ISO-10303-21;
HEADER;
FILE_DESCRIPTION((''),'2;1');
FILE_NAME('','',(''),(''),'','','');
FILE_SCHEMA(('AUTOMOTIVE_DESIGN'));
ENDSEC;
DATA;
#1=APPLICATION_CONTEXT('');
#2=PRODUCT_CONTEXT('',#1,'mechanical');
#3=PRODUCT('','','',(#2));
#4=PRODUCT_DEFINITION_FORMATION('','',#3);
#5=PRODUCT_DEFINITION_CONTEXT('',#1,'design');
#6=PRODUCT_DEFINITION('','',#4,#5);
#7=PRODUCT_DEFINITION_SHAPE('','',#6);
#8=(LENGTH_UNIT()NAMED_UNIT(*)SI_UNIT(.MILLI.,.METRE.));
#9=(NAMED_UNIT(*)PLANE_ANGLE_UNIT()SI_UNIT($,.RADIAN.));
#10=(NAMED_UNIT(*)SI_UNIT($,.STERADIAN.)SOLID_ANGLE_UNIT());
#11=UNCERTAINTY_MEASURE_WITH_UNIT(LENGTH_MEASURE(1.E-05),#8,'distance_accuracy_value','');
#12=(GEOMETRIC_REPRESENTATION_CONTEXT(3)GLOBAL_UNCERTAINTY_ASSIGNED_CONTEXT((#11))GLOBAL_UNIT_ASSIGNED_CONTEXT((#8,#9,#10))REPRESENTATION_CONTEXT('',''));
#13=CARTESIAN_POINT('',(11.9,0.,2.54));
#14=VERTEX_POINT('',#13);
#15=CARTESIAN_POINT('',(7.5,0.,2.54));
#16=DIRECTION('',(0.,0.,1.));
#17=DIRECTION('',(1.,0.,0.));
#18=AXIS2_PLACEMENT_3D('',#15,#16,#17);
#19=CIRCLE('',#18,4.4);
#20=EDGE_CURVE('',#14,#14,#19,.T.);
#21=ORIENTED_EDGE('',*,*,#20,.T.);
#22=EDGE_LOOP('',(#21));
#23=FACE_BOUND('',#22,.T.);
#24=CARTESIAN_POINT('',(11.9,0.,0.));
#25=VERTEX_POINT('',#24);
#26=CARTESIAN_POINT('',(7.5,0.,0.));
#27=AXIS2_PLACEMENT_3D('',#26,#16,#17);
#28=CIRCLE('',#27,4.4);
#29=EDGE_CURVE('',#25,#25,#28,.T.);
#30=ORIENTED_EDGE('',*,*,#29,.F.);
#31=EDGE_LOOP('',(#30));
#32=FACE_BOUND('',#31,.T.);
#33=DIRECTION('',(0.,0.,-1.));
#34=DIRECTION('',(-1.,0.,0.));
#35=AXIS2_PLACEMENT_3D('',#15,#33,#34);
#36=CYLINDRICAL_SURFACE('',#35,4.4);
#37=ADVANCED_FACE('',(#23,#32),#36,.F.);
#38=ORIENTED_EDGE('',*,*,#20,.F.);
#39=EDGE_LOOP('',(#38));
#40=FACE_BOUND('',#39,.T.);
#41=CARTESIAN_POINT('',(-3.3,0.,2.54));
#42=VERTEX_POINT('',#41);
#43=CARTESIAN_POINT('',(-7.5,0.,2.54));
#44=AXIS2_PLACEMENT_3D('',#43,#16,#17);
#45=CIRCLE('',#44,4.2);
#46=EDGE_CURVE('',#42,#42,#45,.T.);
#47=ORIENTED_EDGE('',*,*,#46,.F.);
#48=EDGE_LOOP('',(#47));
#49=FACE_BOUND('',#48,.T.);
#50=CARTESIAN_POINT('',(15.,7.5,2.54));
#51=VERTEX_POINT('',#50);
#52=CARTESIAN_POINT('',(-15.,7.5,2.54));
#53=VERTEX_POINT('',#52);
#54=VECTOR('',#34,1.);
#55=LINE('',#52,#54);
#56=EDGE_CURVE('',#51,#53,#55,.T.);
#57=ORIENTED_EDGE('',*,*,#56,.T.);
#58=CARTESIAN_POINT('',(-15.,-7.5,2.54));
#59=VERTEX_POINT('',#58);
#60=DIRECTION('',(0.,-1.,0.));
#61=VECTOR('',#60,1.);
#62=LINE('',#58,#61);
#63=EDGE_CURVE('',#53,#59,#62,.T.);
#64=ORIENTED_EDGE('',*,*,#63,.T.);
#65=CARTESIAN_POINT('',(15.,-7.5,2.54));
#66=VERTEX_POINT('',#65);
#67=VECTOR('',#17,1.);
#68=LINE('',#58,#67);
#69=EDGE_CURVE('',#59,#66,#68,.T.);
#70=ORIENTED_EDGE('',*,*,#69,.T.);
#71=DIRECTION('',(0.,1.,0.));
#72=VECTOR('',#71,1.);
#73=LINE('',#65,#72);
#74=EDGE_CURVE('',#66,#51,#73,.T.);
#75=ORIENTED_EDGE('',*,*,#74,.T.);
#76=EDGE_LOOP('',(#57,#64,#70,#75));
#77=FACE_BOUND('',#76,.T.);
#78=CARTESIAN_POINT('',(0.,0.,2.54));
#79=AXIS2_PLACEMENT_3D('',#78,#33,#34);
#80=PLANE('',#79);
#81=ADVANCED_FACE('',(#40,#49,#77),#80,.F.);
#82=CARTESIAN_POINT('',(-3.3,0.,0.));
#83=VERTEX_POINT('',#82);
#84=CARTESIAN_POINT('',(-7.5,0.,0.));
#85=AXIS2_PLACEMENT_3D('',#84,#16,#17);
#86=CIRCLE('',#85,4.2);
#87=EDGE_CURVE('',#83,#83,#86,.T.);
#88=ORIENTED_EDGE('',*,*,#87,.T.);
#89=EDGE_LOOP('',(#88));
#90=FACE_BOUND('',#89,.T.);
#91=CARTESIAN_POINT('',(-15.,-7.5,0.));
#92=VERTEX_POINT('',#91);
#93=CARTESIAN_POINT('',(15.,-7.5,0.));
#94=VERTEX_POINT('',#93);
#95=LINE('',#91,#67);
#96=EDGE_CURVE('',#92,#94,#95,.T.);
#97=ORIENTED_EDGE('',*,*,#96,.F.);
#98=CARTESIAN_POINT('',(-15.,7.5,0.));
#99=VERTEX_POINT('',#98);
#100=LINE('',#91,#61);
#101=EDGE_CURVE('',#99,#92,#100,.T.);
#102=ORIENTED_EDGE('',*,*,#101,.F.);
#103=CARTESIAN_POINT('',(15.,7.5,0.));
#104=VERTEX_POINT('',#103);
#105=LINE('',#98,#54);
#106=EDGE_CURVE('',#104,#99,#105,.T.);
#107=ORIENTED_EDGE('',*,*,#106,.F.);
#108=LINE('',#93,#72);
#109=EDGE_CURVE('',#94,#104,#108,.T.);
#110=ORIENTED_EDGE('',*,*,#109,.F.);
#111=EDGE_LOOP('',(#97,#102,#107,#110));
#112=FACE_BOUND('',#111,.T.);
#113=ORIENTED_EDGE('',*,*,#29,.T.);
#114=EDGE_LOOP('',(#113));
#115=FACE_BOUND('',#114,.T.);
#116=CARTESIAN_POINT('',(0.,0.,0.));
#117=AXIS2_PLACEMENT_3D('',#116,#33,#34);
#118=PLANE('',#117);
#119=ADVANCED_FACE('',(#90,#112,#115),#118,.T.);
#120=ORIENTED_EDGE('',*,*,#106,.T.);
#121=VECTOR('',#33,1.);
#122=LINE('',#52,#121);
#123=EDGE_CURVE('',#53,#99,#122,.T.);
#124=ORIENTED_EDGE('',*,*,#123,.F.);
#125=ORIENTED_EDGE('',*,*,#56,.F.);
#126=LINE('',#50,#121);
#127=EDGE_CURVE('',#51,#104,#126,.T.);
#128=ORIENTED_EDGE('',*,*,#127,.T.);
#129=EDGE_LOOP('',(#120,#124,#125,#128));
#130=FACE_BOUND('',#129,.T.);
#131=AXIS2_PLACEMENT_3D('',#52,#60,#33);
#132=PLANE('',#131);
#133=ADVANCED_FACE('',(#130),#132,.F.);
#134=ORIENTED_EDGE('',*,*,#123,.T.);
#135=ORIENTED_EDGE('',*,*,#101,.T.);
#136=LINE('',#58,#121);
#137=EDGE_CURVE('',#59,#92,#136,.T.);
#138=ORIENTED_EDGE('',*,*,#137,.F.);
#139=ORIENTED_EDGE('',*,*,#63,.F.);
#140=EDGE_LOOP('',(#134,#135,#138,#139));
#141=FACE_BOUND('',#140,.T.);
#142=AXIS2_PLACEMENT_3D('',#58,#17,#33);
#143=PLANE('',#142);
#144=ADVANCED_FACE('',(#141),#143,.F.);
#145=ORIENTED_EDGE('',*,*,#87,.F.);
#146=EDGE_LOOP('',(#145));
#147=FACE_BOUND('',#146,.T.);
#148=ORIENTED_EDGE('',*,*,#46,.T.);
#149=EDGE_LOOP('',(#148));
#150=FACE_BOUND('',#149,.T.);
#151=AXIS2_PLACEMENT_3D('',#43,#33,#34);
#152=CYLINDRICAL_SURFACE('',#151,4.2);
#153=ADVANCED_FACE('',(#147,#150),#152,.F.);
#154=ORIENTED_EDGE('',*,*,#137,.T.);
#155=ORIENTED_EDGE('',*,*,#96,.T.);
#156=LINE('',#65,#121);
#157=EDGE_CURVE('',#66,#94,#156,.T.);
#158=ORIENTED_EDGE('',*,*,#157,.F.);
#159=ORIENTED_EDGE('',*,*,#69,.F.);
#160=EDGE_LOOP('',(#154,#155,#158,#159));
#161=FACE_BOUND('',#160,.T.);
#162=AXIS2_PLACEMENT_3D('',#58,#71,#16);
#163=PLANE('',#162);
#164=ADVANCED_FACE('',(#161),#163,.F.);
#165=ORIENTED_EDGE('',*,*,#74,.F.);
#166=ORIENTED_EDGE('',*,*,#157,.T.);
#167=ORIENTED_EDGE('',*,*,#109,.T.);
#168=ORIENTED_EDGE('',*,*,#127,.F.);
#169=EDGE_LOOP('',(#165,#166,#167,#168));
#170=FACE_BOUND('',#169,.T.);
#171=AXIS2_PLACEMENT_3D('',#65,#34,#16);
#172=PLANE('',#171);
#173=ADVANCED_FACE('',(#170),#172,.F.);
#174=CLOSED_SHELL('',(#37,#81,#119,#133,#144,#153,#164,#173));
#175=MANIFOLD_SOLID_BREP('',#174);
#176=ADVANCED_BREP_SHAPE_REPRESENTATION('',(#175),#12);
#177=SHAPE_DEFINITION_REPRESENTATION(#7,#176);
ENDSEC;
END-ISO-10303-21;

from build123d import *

# Parameters (mm, degrees)
SKETCH1_W           = 30
SKETCH1_H           = 15
SKETCH1_R           = 4.2
SKETCH1_R_2         = 4.4
BOSS_EXTRUDE1_DEPTH = 2.54


with BuildPart() as part:
    # Sketch1 → Boss-Extrude1 (new body)
    with BuildSketch(Plane.XY):
        Rectangle(SKETCH1_W, SKETCH1_H)
        with Locations((-7.5, 0)):
            Circle(SKETCH1_R, mode=Mode.SUBTRACT)
        with Locations((7.5, 0)):
            Circle(SKETCH1_R_2, mode=Mode.SUBTRACT)
    extrude(amount=BOSS_EXTRUDE1_DEPTH)


solid = part.part
